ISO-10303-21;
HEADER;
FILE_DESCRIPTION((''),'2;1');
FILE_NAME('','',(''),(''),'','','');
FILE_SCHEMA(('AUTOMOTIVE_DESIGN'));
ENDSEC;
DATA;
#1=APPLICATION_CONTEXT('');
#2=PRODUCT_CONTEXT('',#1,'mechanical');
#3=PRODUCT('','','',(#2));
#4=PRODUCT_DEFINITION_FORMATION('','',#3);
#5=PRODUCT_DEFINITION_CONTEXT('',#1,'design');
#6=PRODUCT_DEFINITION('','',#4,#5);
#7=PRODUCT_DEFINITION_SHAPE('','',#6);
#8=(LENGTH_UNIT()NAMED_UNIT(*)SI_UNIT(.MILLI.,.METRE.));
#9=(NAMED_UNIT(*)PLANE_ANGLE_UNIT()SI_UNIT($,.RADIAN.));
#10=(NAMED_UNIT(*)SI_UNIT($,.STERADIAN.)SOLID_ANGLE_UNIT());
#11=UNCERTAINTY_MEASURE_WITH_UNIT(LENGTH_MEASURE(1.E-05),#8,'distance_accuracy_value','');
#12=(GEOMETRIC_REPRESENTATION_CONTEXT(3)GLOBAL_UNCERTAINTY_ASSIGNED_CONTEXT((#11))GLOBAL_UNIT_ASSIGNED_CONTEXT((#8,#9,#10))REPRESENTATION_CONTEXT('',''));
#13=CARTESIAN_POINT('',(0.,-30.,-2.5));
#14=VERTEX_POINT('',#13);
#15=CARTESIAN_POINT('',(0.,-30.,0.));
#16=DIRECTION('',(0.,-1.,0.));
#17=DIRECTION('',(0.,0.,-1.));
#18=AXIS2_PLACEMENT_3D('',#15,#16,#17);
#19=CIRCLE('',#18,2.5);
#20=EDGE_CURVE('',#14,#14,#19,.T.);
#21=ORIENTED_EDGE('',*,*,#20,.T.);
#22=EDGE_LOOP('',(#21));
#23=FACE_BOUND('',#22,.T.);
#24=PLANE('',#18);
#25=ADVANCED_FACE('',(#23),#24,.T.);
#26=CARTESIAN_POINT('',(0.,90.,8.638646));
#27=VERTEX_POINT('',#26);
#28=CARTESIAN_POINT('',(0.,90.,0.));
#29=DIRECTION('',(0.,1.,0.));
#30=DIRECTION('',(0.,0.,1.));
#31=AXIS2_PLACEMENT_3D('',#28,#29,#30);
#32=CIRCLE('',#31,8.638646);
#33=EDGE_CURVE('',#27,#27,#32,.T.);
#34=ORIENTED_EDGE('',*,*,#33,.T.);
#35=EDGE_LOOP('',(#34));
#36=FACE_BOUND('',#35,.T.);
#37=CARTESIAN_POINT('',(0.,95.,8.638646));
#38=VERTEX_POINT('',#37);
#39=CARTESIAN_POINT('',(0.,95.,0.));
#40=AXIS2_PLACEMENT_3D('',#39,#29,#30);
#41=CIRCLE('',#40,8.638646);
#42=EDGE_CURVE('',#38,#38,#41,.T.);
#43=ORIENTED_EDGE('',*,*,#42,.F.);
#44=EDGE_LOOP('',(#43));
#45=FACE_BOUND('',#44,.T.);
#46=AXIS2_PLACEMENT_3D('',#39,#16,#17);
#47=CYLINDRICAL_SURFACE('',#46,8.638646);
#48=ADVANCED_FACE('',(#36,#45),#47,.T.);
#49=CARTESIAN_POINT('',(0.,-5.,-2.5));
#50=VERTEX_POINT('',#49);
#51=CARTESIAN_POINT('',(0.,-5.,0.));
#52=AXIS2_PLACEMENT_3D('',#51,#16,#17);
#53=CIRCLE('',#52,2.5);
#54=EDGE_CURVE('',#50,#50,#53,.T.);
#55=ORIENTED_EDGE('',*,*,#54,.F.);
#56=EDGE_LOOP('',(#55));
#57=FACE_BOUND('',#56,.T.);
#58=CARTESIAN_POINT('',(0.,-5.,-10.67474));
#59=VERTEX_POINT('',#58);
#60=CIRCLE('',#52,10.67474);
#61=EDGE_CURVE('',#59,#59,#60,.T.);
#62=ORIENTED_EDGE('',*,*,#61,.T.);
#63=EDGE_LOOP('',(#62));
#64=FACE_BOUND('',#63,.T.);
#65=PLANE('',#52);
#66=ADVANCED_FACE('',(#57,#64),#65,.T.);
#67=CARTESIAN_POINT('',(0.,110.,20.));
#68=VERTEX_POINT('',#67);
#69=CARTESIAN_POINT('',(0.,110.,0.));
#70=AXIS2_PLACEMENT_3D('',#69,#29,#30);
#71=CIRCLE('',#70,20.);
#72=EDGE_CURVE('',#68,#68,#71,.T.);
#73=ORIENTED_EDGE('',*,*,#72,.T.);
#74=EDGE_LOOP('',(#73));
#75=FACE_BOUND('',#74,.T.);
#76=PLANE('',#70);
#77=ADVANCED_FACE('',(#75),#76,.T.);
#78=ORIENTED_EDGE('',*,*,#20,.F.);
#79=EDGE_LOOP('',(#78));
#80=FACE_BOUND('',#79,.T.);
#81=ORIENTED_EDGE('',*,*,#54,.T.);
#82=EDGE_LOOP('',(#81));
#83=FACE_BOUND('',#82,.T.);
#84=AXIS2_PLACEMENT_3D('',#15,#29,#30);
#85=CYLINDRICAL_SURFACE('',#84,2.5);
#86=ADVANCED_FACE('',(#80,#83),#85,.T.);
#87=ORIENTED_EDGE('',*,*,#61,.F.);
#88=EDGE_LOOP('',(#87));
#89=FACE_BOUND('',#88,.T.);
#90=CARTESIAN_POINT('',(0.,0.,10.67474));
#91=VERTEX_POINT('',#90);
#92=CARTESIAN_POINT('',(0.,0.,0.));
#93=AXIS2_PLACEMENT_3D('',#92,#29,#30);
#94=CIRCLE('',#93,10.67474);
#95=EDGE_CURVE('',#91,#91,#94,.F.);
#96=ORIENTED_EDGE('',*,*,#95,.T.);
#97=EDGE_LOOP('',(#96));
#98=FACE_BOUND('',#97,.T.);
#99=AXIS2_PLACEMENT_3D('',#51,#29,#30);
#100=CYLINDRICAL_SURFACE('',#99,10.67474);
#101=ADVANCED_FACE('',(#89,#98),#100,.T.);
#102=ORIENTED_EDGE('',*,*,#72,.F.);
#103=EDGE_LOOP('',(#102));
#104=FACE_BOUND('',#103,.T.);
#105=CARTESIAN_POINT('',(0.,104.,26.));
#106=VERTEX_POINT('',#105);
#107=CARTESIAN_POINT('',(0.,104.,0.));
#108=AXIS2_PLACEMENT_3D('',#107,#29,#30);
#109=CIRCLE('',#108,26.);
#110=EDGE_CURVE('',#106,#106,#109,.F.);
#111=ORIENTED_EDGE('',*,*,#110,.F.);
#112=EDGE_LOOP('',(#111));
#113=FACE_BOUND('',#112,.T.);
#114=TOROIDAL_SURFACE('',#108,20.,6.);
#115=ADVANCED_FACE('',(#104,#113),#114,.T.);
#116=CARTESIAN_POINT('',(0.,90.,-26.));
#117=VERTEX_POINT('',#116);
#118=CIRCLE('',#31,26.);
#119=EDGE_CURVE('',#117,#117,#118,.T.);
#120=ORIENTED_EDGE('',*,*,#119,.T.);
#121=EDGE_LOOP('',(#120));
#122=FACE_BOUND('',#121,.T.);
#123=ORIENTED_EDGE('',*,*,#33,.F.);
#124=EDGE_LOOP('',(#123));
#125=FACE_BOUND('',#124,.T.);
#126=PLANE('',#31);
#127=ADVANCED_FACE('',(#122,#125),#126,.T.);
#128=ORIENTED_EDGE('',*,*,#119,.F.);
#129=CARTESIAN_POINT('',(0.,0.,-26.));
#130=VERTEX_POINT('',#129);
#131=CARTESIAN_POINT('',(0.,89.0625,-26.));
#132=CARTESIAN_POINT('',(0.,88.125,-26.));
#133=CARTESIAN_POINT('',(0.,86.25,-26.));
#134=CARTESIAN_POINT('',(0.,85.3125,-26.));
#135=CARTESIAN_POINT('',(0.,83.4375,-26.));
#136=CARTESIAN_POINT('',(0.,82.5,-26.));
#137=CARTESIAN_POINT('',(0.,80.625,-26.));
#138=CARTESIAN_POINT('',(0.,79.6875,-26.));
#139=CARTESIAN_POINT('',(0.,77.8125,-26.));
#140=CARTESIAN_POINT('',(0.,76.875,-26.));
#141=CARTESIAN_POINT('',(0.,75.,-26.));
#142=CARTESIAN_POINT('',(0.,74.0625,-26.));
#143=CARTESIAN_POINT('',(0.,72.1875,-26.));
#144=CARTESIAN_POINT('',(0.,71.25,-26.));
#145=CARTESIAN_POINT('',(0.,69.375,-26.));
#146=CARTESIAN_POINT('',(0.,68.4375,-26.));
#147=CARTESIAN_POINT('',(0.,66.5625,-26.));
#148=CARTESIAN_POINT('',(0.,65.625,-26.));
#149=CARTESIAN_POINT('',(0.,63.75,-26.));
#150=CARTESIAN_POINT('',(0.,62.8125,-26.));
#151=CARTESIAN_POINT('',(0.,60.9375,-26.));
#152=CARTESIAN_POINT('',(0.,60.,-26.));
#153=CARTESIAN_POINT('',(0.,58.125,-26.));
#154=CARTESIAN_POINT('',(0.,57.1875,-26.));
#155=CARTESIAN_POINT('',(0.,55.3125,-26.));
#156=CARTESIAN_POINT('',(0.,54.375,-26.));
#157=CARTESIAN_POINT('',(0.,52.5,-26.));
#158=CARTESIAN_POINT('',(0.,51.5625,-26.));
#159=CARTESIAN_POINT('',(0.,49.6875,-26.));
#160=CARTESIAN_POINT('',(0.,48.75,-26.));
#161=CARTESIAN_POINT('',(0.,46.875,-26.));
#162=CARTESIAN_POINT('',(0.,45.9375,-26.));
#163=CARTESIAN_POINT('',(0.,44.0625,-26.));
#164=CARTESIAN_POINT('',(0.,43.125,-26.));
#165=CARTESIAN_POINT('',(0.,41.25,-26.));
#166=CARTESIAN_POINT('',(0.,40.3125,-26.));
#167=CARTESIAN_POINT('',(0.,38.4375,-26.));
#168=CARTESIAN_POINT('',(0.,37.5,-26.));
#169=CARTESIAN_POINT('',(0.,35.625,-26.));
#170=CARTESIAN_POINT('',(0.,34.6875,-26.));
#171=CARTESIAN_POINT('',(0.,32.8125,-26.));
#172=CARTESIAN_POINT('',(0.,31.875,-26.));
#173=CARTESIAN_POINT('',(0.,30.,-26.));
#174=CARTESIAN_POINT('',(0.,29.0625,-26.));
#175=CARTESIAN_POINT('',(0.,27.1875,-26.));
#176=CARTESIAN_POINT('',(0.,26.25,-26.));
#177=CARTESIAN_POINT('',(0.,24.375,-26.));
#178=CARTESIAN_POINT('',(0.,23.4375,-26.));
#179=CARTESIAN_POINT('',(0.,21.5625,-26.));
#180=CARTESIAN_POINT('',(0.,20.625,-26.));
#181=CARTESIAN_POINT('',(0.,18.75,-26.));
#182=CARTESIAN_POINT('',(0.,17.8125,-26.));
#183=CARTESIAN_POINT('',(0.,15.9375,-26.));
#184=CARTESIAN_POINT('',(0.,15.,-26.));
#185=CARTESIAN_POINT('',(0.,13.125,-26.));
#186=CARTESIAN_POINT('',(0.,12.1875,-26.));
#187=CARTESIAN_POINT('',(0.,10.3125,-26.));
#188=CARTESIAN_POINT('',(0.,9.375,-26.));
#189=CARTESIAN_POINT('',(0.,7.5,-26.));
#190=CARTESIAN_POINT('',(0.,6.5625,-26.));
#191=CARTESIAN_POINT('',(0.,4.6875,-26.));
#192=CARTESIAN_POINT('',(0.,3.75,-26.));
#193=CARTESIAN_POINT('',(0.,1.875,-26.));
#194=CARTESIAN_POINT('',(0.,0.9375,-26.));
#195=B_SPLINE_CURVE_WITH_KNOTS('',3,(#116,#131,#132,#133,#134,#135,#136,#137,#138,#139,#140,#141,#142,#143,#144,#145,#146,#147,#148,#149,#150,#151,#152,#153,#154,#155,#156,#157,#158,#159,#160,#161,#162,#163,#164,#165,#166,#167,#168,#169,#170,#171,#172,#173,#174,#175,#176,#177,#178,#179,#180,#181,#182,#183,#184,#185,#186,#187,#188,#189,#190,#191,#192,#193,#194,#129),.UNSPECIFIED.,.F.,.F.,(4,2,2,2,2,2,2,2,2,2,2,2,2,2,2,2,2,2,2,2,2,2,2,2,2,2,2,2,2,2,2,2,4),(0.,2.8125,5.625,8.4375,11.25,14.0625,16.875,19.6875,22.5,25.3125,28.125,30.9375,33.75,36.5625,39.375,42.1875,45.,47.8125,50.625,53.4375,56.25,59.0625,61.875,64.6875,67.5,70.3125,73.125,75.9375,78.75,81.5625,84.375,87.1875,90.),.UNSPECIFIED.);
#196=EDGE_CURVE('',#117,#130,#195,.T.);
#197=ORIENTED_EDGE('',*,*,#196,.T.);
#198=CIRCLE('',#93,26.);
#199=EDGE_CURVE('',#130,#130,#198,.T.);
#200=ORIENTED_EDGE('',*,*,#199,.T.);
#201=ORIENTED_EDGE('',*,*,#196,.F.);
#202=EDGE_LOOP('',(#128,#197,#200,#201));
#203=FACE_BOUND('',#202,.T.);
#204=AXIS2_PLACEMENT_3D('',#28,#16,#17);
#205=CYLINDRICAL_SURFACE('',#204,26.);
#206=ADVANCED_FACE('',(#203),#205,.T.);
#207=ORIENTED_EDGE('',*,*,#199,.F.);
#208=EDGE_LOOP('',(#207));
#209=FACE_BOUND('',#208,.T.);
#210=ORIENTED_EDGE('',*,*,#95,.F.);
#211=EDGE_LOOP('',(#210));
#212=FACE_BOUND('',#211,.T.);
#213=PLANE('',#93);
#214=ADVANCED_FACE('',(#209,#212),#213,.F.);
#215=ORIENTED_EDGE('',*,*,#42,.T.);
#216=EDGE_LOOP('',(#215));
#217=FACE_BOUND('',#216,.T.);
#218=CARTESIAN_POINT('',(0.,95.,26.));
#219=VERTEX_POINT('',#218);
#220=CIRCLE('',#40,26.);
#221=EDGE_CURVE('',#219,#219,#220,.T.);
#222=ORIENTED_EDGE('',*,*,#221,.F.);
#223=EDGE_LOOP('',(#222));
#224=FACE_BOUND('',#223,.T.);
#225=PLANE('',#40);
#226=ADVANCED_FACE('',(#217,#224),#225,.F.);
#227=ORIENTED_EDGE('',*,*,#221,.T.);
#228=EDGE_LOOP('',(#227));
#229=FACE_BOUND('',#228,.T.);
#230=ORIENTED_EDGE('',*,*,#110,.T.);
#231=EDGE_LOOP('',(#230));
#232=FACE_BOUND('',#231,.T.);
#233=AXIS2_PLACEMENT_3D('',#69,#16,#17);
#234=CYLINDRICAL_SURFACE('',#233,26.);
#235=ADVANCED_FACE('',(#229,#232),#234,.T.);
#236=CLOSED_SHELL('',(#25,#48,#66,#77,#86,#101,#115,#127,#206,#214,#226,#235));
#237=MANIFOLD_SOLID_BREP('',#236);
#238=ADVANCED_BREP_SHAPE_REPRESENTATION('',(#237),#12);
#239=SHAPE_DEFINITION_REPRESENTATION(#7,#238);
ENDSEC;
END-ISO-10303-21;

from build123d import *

# Parameters (mm, degrees)
SKETCH1_R           = 26
BOSS_EXTRUDE1_DEPTH = 90
SKETCH2_R           = 8.638646247
BOSS_EXTRUDE2_DEPTH = 5
SKETCH3_R           = 26
BOSS_EXTRUDE3_DEPTH = 15
SKETCH4_R           = 10.67473996
BOSS_EXTRUDE4_DEPTH = 5
SKETCH5_R           = 2.5
BOSS_EXTRUDE5_DEPTH = 25
FILLET1_R           = 6


with BuildPart() as part:
    # Sketch1 → Boss-Extrude1 (new body)
    with BuildSketch(Plane(origin=(0, 0, 0), x_dir=(1, 0, 0), z_dir=(0, 1, 0))):
        with Locations(Location((0, 0, 0), (0, 0, 90))):
            Circle(SKETCH1_R)
    extrude(amount=BOSS_EXTRUDE1_DEPTH)

    # Sketch2 → Boss-Extrude2 (add)
    with BuildSketch(Plane(origin=(0, 90, 0), x_dir=(1, 0, 0), z_dir=(0, 1, 0))):
        with Locations(Location((0, 0, 0), (0, 0, 270))):
            Circle(SKETCH2_R)
    extrude(amount=BOSS_EXTRUDE2_DEPTH)

    # Sketch3 → Boss-Extrude3 (add)
    with BuildSketch(Plane(origin=(0, 95, 0), x_dir=(1, 0, 0), z_dir=(0, 1, 0))):
        with Locations(Location((0, 0, 0), (0, 0, 90))):
            Circle(SKETCH3_R)
    extrude(amount=BOSS_EXTRUDE3_DEPTH)

    # Sketch4 → Boss-Extrude4 (add)
    with BuildSketch(Plane.XZ):
        with Locations(Location((0, 0, 0), (0, 0, 90))):
            Circle(SKETCH4_R)
    extrude(amount=BOSS_EXTRUDE4_DEPTH)

    # Sketch5 → Boss-Extrude5 (add)
    with BuildSketch(Plane.XZ.offset(5)):
        with Locations(Location((0, 0, 0), (0, 0, 270))):
            Circle(SKETCH5_R)
    extrude(amount=BOSS_EXTRUDE5_DEPTH)

    # Fillet1
    fillet1_edges = [part.edges().sort_by_distance(p)[0] for p in [
        (0, 110, 26),
    ]]
    fillet(fillet1_edges, radius=FILLET1_R)


solid = part.part
